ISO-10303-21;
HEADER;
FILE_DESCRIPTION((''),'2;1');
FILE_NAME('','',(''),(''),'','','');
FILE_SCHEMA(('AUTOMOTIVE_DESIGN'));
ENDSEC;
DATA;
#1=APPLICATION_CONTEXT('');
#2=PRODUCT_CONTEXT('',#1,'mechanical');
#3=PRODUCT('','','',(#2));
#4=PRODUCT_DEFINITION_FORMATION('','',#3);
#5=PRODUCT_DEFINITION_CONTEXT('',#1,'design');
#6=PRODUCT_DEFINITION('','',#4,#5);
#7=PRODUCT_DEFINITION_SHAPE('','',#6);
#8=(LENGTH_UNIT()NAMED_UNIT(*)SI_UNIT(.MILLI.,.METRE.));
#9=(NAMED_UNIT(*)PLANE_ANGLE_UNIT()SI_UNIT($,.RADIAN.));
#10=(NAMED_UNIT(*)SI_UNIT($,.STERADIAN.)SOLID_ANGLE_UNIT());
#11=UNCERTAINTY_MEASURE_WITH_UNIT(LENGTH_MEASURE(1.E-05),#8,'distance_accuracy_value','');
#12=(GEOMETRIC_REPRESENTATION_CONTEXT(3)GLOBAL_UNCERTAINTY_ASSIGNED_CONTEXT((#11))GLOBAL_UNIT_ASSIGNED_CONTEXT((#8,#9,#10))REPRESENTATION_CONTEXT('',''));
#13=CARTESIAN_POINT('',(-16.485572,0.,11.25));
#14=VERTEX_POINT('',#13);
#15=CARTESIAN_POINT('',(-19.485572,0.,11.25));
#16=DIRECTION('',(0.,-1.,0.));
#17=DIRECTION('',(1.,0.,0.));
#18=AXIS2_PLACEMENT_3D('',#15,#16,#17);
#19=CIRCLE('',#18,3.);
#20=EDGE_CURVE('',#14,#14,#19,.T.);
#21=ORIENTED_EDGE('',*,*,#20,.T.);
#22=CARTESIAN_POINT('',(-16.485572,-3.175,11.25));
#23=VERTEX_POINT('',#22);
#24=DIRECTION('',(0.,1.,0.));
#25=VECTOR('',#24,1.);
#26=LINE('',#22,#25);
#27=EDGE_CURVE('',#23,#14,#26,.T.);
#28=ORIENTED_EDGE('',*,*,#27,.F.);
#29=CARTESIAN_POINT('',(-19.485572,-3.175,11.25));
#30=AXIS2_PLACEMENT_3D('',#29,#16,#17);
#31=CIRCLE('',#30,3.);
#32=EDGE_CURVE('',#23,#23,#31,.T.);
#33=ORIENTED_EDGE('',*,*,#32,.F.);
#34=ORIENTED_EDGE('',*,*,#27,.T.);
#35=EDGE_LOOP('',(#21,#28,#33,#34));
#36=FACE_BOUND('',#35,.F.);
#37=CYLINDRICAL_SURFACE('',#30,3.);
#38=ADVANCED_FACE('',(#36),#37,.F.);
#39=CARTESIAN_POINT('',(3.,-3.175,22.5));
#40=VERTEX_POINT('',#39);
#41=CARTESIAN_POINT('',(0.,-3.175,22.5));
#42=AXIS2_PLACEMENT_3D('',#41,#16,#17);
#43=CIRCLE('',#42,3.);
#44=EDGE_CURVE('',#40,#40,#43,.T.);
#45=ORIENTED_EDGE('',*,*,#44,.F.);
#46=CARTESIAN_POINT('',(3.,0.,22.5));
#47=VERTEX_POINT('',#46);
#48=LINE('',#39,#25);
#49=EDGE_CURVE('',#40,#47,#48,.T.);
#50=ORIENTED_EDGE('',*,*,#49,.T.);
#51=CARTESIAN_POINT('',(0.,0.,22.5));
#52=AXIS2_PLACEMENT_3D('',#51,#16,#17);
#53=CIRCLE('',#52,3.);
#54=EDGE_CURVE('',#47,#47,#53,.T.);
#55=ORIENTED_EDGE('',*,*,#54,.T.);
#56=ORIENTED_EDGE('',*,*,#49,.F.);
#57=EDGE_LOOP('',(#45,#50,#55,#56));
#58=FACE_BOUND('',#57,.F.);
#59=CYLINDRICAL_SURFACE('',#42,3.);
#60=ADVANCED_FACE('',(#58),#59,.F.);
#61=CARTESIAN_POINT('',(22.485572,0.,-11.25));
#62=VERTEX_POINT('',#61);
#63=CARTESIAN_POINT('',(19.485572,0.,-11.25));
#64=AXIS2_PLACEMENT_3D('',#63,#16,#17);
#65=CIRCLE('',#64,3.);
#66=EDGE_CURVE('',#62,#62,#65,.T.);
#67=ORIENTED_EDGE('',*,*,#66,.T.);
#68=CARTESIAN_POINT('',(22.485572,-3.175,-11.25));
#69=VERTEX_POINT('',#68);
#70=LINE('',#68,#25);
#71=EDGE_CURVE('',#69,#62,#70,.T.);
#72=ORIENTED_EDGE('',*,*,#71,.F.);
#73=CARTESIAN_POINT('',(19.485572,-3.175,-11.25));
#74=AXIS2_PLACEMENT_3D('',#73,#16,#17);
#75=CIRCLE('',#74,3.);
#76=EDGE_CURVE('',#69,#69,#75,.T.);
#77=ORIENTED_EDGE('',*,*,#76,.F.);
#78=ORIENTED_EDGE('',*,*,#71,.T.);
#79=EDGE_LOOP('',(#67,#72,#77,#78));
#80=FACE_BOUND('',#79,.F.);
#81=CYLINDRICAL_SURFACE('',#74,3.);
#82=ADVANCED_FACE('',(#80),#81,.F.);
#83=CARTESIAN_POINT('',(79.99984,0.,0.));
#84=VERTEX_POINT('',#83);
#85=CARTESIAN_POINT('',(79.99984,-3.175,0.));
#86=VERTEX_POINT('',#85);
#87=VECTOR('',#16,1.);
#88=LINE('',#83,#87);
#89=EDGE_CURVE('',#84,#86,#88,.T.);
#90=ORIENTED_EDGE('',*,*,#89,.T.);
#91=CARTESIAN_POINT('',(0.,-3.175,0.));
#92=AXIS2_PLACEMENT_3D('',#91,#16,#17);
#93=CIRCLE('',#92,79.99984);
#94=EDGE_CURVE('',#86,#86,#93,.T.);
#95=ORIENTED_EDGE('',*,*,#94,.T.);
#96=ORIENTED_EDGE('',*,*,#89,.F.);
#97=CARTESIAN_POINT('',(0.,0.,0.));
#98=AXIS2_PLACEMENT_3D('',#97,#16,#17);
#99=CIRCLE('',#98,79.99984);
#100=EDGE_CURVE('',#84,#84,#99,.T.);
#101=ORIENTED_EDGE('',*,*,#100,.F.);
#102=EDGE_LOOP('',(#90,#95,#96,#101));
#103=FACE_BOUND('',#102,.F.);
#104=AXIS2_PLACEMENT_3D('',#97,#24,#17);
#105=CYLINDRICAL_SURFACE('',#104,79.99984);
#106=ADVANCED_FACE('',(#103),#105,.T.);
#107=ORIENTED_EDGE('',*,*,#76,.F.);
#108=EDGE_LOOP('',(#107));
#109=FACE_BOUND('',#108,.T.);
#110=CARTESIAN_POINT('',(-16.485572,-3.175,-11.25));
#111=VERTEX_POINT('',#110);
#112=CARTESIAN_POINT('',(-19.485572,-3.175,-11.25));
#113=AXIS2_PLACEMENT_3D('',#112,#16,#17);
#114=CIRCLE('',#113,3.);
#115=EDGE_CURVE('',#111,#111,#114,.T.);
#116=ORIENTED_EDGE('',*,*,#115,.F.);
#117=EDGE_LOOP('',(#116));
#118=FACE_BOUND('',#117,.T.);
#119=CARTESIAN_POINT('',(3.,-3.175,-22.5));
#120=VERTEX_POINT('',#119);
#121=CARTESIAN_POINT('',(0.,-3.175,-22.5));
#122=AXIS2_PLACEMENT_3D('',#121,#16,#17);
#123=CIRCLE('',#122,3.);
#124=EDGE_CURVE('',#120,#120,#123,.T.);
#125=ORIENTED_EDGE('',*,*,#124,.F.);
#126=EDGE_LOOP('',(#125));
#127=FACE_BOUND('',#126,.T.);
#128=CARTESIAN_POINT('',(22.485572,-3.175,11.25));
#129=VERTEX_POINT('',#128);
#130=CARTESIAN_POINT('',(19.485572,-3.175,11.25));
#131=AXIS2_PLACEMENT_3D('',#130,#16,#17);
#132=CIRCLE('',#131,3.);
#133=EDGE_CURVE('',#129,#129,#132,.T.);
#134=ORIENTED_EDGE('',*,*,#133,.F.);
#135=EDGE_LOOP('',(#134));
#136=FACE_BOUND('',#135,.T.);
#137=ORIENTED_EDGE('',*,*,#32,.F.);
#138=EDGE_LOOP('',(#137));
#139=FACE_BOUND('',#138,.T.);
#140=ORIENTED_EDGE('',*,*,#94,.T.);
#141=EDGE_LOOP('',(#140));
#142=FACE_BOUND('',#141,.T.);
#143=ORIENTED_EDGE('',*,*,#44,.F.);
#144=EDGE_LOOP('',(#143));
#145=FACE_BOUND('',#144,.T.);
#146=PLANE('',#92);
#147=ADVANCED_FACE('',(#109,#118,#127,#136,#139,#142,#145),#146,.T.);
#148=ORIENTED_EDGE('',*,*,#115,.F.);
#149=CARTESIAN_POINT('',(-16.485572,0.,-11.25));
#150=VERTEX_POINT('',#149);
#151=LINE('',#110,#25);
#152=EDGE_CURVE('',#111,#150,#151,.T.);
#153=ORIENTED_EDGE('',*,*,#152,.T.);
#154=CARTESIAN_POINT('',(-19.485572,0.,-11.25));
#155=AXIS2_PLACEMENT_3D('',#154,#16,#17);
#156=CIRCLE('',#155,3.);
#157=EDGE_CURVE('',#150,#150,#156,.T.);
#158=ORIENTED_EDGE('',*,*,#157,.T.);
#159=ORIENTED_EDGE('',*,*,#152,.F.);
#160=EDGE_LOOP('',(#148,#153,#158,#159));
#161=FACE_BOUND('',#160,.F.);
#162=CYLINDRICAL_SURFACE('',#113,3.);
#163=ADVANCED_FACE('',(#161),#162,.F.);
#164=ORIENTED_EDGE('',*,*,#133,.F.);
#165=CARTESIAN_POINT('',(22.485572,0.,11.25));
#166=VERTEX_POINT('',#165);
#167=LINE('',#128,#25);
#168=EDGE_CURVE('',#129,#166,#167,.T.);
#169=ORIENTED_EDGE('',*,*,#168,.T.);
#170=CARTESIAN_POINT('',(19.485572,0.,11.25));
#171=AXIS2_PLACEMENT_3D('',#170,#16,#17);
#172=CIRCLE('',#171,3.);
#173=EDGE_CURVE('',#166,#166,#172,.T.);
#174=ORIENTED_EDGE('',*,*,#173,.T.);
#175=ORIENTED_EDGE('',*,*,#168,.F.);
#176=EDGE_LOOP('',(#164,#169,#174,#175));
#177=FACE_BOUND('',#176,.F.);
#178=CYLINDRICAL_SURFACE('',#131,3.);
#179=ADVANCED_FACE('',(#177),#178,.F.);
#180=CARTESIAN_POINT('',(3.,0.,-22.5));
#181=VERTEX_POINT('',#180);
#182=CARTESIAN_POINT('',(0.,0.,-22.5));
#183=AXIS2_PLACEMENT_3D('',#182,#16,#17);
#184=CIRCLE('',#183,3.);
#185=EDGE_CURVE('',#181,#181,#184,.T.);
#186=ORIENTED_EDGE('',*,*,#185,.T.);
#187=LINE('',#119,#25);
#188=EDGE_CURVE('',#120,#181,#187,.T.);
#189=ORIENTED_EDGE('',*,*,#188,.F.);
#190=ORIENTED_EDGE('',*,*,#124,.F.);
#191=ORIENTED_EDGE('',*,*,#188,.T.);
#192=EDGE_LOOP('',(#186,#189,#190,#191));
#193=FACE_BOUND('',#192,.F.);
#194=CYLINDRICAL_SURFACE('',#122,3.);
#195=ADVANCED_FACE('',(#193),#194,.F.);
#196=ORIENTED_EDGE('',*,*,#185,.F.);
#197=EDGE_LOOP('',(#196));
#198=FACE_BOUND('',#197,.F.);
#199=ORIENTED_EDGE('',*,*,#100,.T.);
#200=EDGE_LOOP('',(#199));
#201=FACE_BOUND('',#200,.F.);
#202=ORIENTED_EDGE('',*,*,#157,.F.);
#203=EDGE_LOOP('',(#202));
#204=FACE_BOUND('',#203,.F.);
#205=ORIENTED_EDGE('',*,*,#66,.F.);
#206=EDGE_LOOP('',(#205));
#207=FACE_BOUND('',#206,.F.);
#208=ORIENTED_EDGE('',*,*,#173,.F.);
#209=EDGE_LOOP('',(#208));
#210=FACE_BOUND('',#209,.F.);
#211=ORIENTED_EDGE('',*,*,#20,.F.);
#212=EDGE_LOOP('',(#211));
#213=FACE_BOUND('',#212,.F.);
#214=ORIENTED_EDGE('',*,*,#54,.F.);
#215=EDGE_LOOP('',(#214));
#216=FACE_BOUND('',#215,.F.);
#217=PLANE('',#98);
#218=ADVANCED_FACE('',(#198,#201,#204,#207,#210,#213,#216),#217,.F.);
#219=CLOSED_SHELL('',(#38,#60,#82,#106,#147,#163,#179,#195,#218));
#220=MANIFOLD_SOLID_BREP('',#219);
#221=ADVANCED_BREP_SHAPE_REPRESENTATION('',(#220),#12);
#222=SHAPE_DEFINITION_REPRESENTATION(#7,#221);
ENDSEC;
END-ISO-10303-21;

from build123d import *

# Parameters (mm, degrees)
F0_R          = 79.99984
F1_DEPTH      = 3.175
F2_R          = 3
F3_DEPTH      = 25
F3_DEPTH_BACK = 25


with BuildPart() as f1:
    # F0 (on Front) → F1 (new body)
    with BuildSketch(Plane.XZ):
        Circle(F0_R)
    extrude(amount=F1_DEPTH)

    # F2 (on face) → F3 (cut, two sides)
    with BuildSketch(Plane.XZ.offset(3.175)) as f3_sk:
        with Locations((0, 22.5)):
            Circle(F2_R)
        with Locations((-19.485572, 11.25)):
            Circle(F2_R)
        with Locations((-19.485572, -11.25)):
            Circle(F2_R)
        with Locations((0, -22.5)):
            Circle(F2_R)
        with Locations((19.485572, -11.25)):
            Circle(F2_R)
        with Locations((19.485572, 11.25)):
            Circle(F2_R)
    extrude(amount=-F3_DEPTH, mode=Mode.SUBTRACT)
    extrude(f3_sk.sketch, amount=-F3_DEPTH_BACK, mode=Mode.SUBTRACT)


solid = f1.part
